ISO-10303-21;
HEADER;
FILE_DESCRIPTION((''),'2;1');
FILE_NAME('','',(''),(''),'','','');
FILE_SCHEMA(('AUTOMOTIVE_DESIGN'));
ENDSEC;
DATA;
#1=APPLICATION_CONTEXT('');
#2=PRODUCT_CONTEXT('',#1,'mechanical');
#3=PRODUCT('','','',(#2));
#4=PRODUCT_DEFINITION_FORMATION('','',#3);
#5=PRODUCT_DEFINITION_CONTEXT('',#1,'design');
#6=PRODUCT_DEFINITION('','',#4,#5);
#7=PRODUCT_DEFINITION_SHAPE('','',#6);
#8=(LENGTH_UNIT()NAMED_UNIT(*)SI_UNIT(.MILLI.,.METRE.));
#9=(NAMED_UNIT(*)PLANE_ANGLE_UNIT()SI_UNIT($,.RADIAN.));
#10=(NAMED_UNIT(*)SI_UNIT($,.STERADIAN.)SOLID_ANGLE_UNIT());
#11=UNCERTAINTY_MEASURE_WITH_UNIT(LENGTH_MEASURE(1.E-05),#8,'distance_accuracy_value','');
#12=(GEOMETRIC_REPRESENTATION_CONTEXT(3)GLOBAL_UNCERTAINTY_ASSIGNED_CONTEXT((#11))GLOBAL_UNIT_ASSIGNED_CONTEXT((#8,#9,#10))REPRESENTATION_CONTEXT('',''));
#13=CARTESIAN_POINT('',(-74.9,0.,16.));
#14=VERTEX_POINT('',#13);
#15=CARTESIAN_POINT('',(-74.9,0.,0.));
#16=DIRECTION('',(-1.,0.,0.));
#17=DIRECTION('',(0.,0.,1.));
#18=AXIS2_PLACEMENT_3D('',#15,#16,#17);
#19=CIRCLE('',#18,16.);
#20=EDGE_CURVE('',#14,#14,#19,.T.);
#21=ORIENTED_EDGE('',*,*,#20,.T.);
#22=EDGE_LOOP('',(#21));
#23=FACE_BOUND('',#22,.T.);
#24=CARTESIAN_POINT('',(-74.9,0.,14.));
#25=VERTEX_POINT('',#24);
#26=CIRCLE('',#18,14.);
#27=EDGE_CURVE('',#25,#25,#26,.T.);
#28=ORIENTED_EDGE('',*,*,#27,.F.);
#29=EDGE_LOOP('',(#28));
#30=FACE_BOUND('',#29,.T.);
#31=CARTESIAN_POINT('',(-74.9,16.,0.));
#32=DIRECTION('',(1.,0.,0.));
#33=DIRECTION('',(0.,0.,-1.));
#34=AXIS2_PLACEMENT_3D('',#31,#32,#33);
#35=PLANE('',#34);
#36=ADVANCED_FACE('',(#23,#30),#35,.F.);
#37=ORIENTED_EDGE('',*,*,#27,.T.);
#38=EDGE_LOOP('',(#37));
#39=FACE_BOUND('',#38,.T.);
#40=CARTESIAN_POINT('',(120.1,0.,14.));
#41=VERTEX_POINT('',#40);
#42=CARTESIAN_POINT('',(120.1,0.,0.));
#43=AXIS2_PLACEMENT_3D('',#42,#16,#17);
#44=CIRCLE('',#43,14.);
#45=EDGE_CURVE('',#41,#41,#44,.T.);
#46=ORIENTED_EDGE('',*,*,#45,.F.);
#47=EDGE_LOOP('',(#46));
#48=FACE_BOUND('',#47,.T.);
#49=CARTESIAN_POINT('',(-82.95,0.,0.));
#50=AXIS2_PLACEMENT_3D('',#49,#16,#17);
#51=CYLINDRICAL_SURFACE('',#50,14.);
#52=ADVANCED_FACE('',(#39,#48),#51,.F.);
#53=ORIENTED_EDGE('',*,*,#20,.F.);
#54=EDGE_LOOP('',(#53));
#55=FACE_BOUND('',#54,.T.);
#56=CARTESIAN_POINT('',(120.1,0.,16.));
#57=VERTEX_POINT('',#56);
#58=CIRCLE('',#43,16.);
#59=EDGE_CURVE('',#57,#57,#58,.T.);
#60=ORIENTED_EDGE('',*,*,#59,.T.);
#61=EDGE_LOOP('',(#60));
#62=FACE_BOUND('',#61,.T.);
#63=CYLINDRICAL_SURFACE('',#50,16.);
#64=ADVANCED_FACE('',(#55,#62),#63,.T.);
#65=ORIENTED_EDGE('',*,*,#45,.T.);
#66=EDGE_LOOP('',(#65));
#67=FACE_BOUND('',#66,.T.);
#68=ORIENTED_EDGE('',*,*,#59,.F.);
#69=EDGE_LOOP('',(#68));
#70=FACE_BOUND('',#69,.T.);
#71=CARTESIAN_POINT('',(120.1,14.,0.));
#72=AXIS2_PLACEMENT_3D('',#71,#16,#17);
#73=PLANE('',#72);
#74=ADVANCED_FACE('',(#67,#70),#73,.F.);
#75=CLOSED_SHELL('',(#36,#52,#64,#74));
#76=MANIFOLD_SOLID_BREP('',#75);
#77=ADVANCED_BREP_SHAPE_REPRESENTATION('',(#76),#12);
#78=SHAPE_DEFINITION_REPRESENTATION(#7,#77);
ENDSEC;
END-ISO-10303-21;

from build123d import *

# Parameters (mm, degrees)
ESQUISSE1_W = 195
ESQUISSE1_H = 2


with BuildPart() as part:
    # Esquisse1 → Révolution1 (revolve)
    with BuildSketch(Plane.XY, mode=Mode.PRIVATE) as r_volution1_sk:
        with Locations((22.6, 15)):
            Rectangle(ESQUISSE1_W, ESQUISSE1_H)
    revolve(r_volution1_sk.sketch.rotate(Axis((-82.95, 0, 0), (1, 0, 0)), 90), axis=Axis((-82.95, 0, 0), (1, 0, 0)))


solid = part.part
